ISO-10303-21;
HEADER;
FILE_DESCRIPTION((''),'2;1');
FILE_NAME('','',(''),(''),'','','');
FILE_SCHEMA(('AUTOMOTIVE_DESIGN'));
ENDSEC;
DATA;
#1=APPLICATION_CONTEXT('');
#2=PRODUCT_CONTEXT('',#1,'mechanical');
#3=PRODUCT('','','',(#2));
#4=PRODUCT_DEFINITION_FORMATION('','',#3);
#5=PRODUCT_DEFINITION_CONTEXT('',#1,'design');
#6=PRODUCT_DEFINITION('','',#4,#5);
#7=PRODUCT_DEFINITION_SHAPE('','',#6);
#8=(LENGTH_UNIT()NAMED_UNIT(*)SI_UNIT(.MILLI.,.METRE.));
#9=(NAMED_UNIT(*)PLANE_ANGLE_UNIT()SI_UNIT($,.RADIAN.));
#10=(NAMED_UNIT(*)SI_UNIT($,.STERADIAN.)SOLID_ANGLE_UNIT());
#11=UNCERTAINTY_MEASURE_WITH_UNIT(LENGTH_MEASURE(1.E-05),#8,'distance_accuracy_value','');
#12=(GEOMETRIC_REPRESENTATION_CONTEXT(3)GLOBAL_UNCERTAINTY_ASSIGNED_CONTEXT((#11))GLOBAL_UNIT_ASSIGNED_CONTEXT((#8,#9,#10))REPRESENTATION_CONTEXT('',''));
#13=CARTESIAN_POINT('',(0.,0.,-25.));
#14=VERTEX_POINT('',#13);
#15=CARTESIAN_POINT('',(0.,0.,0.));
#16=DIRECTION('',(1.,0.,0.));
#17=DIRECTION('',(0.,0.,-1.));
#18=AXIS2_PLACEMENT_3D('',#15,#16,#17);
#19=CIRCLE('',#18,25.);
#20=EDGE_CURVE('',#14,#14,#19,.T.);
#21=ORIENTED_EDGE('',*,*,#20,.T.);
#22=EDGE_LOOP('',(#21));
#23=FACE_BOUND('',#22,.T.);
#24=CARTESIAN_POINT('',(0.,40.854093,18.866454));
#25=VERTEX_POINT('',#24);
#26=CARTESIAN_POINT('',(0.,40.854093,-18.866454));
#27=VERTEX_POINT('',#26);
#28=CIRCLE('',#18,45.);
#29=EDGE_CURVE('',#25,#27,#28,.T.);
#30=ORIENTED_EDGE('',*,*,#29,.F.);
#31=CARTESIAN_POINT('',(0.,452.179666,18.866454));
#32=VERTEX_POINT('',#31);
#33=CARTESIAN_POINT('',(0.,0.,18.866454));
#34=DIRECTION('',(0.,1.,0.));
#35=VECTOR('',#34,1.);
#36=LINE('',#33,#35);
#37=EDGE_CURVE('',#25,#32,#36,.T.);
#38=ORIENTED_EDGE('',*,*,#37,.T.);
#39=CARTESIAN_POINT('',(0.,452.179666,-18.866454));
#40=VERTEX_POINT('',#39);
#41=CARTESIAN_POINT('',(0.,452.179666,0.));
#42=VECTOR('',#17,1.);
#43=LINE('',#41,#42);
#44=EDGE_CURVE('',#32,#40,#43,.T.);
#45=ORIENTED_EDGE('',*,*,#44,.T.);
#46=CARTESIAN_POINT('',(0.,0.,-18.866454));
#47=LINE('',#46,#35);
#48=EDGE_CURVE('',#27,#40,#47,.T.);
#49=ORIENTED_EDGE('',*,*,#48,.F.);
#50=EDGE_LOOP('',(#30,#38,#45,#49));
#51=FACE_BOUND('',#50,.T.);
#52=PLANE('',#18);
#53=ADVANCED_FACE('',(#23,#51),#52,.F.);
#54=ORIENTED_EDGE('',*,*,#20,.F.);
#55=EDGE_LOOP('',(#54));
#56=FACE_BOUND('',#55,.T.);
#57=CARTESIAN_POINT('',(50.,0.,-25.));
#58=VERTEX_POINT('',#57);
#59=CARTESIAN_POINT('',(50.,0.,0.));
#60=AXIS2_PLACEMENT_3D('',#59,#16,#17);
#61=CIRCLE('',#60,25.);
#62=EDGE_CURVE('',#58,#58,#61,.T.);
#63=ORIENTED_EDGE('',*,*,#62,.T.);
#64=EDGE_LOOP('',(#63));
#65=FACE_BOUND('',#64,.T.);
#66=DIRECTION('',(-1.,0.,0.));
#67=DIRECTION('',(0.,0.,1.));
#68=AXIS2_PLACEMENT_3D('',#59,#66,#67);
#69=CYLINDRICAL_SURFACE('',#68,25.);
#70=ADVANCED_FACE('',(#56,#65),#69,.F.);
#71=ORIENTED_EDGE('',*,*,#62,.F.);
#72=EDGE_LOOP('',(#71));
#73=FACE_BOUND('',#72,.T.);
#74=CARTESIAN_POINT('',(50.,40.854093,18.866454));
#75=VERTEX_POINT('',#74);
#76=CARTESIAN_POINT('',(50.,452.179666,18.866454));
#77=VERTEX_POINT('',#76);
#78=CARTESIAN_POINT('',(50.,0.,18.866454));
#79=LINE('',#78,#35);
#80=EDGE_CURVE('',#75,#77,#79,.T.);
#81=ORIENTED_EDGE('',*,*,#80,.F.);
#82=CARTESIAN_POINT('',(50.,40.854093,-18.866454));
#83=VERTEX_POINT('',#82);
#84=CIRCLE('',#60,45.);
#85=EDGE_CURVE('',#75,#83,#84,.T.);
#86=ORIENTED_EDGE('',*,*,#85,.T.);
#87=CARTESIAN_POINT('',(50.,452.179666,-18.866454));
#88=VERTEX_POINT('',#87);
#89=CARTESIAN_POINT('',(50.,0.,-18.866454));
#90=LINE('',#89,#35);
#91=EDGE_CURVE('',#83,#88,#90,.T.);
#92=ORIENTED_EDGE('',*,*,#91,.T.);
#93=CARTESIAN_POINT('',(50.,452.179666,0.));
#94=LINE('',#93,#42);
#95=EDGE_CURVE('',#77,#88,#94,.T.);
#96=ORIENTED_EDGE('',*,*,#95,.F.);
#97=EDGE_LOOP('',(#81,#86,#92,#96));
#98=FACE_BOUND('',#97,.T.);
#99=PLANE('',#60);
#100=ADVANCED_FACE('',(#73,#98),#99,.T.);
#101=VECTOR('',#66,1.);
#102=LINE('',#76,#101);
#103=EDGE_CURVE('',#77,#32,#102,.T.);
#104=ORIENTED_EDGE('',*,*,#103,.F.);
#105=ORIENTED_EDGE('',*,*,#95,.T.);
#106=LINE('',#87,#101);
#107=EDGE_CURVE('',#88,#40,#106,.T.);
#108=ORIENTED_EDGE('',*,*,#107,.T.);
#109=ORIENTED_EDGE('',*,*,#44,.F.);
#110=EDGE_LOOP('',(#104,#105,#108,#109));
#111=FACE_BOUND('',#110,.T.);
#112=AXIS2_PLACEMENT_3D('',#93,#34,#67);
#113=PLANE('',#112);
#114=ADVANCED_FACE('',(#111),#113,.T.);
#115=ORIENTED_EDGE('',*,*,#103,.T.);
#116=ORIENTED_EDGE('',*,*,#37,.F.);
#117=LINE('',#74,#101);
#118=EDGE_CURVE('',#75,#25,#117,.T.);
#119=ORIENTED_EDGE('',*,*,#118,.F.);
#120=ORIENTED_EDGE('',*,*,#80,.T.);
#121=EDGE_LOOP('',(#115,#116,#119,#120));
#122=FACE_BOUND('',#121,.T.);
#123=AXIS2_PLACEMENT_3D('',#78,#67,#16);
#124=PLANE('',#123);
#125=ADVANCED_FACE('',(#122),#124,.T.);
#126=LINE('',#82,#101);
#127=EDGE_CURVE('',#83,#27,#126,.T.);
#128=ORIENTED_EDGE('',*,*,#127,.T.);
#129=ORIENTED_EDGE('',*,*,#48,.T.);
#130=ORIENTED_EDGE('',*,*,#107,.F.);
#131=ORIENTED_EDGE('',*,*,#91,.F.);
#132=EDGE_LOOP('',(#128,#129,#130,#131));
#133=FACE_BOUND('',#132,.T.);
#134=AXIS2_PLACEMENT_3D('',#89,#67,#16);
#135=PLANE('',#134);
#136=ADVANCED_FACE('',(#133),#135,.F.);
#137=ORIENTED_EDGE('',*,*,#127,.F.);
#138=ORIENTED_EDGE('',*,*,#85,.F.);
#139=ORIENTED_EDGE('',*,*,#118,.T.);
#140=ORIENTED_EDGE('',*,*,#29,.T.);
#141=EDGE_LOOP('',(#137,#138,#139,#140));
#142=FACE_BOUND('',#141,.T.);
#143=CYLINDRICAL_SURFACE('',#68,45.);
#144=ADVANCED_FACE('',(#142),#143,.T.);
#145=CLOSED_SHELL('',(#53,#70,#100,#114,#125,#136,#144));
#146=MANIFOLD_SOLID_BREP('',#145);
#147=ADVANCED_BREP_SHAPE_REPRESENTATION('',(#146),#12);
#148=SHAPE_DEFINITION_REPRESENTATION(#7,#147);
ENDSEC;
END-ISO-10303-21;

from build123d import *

# Parameters (mm, degrees)
SKETCH_1_R      = 25
EXTRUDE_1_DEPTH = 50


with BuildPart() as part:
    # 草图1 → 凸台-拉伸1 (new body)
    with BuildSketch(Plane(origin=(0, 0, 0), x_dir=(0, 0, -1), z_dir=(1, 0, 0))):
        with BuildLine():
            Line((-18.866454018, 40.854092975), (-18.866454018, 452.179666398))
            Line((-18.866454018, 452.179666398), (18.866454018, 452.179666398))
            Line((18.866454018, 452.179666398), (18.866454018, 40.854092975))
            ThreePointArc((18.866454018, 40.854092975), (0, -45), (-18.866454018, 40.854092975))
        make_face()
        Circle(SKETCH_1_R, mode=Mode.SUBTRACT)
    extrude(amount=EXTRUDE_1_DEPTH)


solid = part.part
